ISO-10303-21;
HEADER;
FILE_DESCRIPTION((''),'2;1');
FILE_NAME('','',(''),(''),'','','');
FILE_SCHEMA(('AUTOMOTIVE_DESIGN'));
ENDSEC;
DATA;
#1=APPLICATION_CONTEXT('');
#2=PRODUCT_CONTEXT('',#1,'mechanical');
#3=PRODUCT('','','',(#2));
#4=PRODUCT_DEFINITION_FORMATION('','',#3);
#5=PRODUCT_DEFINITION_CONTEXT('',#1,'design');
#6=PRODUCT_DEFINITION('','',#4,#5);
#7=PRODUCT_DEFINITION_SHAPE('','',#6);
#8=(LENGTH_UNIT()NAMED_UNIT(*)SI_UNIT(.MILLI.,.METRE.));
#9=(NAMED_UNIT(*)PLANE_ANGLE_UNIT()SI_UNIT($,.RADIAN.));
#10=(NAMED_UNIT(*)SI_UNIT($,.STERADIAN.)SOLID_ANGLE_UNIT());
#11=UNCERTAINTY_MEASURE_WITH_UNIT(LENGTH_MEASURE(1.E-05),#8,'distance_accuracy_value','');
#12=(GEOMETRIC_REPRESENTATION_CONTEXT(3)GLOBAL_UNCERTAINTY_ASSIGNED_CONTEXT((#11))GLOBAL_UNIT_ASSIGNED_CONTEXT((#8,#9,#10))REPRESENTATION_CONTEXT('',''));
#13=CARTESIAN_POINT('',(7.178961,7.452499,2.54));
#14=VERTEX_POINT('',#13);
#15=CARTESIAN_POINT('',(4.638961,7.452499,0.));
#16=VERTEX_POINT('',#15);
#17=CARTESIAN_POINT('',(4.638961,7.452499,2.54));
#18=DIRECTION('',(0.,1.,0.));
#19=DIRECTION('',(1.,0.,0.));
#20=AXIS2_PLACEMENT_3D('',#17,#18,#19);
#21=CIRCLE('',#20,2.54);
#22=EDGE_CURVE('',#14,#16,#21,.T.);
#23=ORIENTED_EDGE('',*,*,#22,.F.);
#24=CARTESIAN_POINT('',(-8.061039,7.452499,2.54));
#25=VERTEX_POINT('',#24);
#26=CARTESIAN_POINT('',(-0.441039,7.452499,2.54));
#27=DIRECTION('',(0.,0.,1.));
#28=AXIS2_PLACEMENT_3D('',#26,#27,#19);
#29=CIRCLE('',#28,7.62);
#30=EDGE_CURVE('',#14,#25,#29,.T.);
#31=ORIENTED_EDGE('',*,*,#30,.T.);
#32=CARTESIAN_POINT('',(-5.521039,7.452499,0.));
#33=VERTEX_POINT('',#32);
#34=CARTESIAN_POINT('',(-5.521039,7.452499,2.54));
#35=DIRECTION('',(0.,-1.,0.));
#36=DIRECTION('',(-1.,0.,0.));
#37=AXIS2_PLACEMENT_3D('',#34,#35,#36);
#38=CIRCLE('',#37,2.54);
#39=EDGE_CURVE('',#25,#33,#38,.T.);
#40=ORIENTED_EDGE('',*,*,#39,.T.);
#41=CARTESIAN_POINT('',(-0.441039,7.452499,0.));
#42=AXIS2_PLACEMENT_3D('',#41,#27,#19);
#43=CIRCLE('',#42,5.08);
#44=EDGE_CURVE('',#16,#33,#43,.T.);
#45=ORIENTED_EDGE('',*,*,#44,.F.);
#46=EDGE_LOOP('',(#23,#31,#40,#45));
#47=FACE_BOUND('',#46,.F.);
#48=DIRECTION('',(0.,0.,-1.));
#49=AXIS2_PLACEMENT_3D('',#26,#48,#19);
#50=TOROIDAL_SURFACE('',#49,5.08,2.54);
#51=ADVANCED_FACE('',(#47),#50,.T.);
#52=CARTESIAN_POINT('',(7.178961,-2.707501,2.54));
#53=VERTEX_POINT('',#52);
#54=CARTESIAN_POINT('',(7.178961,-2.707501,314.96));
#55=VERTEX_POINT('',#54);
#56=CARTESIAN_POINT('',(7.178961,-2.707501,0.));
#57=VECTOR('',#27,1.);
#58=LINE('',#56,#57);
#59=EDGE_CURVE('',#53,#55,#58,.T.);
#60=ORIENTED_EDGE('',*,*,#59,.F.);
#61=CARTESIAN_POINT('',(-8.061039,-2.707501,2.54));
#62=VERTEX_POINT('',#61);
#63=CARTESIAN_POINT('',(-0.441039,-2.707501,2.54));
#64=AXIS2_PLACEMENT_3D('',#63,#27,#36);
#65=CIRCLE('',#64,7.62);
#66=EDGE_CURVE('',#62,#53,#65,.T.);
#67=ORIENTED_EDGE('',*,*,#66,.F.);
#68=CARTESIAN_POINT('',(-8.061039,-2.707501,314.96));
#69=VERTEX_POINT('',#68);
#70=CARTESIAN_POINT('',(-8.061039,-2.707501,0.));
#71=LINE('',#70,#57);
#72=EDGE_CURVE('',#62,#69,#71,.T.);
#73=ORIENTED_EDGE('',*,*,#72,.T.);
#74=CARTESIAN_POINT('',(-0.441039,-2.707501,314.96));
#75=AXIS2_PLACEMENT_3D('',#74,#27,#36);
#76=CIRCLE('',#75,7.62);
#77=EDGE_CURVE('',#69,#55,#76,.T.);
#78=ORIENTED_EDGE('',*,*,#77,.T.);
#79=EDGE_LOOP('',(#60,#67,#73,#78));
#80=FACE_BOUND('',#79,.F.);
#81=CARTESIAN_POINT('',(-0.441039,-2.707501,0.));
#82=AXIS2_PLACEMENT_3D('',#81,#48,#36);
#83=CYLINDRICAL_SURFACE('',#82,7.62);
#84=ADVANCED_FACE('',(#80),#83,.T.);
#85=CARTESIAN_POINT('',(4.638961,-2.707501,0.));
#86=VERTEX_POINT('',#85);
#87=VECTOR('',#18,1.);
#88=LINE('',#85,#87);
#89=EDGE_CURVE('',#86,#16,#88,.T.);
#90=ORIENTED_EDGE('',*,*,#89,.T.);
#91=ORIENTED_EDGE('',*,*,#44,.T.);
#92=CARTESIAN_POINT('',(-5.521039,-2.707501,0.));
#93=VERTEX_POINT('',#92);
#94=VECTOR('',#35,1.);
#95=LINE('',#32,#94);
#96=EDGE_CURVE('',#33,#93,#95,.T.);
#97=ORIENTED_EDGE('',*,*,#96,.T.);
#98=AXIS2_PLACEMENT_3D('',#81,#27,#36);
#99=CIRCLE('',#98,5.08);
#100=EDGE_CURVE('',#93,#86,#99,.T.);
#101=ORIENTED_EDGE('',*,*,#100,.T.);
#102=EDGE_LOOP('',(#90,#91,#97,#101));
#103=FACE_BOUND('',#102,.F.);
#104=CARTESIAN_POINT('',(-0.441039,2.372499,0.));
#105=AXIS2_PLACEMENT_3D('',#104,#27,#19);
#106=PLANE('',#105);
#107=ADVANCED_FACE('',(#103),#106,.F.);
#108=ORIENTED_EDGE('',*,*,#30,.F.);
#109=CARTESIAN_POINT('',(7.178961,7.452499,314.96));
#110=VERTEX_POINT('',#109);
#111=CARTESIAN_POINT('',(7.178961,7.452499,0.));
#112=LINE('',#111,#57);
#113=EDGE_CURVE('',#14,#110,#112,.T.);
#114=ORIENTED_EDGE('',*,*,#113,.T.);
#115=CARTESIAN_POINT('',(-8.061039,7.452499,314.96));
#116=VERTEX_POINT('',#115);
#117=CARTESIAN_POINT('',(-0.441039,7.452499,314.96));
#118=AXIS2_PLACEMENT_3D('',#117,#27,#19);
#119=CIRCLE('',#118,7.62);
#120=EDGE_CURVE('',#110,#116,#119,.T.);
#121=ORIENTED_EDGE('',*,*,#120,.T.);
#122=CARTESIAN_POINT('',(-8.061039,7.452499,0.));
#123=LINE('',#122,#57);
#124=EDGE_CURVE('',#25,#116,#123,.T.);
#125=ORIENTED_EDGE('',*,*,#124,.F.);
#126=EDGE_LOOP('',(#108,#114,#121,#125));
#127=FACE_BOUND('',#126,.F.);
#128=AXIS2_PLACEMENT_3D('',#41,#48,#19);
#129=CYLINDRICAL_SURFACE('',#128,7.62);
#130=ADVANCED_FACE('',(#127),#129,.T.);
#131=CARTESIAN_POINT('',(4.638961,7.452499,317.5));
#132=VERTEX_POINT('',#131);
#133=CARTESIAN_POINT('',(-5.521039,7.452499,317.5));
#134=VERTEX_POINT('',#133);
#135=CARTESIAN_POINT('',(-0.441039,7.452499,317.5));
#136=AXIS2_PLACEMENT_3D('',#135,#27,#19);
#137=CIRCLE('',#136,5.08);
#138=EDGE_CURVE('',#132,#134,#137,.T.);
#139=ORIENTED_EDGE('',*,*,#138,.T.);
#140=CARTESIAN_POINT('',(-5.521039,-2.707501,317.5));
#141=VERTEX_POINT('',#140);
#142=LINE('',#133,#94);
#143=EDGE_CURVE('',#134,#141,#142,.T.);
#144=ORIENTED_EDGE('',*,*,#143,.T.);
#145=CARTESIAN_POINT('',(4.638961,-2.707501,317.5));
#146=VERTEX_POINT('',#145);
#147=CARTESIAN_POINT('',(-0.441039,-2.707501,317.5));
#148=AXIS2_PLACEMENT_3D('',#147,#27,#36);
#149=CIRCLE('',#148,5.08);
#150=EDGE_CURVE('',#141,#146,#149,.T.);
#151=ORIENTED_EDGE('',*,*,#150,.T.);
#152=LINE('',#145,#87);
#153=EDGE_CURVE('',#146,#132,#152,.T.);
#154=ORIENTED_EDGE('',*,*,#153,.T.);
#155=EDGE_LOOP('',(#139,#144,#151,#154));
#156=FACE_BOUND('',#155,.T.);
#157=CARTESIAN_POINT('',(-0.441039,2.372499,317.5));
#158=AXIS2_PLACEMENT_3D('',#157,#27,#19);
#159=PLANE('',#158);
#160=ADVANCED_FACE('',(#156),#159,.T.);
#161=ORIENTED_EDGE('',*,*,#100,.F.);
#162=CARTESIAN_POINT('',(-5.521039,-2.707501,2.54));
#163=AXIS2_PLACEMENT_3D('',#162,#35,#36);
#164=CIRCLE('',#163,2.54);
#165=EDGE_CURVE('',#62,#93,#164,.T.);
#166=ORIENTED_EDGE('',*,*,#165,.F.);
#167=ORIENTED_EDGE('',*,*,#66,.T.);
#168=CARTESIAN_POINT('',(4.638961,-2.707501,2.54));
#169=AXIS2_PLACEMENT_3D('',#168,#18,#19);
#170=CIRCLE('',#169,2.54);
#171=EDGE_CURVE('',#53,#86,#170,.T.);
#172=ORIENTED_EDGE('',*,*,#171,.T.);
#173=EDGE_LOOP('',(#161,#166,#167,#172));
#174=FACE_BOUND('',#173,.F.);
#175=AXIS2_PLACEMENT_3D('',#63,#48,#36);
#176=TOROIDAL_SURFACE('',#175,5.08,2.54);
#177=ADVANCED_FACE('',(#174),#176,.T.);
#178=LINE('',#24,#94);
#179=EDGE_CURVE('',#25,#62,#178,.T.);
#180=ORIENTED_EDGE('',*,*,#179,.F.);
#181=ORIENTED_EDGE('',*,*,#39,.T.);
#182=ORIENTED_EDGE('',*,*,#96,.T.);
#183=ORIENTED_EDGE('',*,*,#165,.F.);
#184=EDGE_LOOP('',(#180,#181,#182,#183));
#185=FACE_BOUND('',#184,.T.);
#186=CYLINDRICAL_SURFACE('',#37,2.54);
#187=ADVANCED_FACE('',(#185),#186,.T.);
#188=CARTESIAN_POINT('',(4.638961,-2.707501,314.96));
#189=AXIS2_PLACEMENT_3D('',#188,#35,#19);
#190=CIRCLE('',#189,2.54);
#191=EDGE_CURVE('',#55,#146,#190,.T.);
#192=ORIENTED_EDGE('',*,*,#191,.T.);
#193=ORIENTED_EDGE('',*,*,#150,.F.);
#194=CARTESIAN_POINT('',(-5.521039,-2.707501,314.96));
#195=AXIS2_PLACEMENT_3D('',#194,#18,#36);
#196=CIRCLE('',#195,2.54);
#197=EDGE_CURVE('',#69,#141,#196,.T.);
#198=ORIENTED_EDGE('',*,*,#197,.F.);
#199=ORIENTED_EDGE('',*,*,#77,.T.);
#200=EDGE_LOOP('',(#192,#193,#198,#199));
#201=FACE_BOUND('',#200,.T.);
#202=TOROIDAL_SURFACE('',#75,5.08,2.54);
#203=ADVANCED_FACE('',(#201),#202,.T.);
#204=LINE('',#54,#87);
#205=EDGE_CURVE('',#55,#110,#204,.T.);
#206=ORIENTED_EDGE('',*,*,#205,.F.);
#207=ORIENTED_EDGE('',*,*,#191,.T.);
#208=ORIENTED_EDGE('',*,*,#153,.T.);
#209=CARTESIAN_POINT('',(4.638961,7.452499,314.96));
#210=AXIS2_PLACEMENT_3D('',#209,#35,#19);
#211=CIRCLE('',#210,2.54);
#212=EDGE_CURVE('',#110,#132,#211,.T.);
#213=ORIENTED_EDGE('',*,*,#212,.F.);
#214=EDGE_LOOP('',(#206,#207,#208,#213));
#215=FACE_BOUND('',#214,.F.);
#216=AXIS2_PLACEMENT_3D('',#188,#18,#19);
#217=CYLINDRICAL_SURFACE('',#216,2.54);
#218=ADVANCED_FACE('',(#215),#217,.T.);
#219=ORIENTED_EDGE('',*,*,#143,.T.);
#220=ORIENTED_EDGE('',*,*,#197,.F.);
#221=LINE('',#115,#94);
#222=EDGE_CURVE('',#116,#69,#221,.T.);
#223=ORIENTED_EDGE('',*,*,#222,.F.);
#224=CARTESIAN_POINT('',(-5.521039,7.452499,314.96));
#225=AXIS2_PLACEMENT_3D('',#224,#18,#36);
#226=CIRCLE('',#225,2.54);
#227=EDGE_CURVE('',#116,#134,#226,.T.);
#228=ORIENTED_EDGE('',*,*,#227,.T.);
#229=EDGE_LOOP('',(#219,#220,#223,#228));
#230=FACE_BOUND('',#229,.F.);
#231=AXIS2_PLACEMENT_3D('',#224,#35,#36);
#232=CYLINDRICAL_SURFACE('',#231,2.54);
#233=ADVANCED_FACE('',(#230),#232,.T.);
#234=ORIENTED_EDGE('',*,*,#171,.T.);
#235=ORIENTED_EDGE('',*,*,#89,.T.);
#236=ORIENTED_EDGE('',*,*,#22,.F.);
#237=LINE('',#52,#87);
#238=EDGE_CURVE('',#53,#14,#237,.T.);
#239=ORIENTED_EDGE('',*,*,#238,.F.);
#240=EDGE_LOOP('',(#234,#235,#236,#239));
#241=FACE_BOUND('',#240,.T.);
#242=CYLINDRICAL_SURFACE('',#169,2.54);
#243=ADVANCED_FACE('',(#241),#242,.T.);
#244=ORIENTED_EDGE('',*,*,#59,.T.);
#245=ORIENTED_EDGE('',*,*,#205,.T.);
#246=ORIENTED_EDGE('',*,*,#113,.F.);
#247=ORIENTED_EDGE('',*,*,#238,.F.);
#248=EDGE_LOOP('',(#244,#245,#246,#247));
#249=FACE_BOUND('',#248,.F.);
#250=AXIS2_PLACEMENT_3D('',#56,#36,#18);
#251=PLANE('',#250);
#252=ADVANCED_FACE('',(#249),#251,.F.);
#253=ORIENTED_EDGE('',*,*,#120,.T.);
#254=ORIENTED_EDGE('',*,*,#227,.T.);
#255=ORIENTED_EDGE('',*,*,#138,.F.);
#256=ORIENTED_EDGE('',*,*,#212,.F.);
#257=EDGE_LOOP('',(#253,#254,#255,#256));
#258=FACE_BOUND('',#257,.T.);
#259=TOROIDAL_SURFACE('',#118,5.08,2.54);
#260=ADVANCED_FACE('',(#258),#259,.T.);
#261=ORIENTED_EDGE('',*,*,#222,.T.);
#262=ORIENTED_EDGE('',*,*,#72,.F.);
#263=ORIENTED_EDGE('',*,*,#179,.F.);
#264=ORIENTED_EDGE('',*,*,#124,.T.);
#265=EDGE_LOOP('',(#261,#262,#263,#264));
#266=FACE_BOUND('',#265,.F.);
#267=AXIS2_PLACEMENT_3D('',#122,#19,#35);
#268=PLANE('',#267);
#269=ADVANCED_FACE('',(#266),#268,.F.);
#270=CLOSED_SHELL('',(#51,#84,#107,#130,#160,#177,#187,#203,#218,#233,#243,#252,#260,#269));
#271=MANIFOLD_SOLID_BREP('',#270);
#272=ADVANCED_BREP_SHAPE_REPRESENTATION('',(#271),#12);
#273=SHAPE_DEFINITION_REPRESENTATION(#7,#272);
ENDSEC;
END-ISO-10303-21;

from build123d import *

# Parameters (mm, degrees)
F1_DEPTH = 317.5
F2_R     = 2.54
F3_R     = 2.54


with BuildPart() as f1:
    # F0 (on Top) → F1 (new body)
    with BuildSketch(Plane.XY):
        with BuildLine():
            Line((-8.061039, 7.452499), (-8.061039, 0))
            Line((-8.061039, 0), (-8.061039, -2.707501))
            ThreePointArc((-8.061039, -2.707501), (-0.441039, -10.327501), (7.178961, -2.707501))
            Line((7.178961, -2.707501), (7.178961, 0))
            Line((7.178961, 0), (7.178961, 7.452499))
            ThreePointArc((7.178961, 7.452499), (-0.441039, 15.072499), (-8.061039, 7.452499))
        make_face()
    extrude(amount=F1_DEPTH)

    # F2
    f2_edges = [f1.edges().sort_by_distance(p)[0] for p in [
        (-0.441039, 15.072499, 317.5),
        (7.178961, 2.372499, 317.5),
        (-0.441039, -10.327501, 317.5),
        (-8.061039, 2.372499, 317.5),
    ]]
    fillet(f2_edges, radius=F2_R)

    # F3
    f3_edges = [f1.edges().sort_by_distance(p)[0] for p in [
        (-0.441039, 15.072499, 0),
        (-0.441039, -10.327501, 0),
        (7.178961, 2.372499, 0),
        (-8.061039, 2.372499, 0),
    ]]
    fillet(f3_edges, radius=F3_R)


solid = f1.part
